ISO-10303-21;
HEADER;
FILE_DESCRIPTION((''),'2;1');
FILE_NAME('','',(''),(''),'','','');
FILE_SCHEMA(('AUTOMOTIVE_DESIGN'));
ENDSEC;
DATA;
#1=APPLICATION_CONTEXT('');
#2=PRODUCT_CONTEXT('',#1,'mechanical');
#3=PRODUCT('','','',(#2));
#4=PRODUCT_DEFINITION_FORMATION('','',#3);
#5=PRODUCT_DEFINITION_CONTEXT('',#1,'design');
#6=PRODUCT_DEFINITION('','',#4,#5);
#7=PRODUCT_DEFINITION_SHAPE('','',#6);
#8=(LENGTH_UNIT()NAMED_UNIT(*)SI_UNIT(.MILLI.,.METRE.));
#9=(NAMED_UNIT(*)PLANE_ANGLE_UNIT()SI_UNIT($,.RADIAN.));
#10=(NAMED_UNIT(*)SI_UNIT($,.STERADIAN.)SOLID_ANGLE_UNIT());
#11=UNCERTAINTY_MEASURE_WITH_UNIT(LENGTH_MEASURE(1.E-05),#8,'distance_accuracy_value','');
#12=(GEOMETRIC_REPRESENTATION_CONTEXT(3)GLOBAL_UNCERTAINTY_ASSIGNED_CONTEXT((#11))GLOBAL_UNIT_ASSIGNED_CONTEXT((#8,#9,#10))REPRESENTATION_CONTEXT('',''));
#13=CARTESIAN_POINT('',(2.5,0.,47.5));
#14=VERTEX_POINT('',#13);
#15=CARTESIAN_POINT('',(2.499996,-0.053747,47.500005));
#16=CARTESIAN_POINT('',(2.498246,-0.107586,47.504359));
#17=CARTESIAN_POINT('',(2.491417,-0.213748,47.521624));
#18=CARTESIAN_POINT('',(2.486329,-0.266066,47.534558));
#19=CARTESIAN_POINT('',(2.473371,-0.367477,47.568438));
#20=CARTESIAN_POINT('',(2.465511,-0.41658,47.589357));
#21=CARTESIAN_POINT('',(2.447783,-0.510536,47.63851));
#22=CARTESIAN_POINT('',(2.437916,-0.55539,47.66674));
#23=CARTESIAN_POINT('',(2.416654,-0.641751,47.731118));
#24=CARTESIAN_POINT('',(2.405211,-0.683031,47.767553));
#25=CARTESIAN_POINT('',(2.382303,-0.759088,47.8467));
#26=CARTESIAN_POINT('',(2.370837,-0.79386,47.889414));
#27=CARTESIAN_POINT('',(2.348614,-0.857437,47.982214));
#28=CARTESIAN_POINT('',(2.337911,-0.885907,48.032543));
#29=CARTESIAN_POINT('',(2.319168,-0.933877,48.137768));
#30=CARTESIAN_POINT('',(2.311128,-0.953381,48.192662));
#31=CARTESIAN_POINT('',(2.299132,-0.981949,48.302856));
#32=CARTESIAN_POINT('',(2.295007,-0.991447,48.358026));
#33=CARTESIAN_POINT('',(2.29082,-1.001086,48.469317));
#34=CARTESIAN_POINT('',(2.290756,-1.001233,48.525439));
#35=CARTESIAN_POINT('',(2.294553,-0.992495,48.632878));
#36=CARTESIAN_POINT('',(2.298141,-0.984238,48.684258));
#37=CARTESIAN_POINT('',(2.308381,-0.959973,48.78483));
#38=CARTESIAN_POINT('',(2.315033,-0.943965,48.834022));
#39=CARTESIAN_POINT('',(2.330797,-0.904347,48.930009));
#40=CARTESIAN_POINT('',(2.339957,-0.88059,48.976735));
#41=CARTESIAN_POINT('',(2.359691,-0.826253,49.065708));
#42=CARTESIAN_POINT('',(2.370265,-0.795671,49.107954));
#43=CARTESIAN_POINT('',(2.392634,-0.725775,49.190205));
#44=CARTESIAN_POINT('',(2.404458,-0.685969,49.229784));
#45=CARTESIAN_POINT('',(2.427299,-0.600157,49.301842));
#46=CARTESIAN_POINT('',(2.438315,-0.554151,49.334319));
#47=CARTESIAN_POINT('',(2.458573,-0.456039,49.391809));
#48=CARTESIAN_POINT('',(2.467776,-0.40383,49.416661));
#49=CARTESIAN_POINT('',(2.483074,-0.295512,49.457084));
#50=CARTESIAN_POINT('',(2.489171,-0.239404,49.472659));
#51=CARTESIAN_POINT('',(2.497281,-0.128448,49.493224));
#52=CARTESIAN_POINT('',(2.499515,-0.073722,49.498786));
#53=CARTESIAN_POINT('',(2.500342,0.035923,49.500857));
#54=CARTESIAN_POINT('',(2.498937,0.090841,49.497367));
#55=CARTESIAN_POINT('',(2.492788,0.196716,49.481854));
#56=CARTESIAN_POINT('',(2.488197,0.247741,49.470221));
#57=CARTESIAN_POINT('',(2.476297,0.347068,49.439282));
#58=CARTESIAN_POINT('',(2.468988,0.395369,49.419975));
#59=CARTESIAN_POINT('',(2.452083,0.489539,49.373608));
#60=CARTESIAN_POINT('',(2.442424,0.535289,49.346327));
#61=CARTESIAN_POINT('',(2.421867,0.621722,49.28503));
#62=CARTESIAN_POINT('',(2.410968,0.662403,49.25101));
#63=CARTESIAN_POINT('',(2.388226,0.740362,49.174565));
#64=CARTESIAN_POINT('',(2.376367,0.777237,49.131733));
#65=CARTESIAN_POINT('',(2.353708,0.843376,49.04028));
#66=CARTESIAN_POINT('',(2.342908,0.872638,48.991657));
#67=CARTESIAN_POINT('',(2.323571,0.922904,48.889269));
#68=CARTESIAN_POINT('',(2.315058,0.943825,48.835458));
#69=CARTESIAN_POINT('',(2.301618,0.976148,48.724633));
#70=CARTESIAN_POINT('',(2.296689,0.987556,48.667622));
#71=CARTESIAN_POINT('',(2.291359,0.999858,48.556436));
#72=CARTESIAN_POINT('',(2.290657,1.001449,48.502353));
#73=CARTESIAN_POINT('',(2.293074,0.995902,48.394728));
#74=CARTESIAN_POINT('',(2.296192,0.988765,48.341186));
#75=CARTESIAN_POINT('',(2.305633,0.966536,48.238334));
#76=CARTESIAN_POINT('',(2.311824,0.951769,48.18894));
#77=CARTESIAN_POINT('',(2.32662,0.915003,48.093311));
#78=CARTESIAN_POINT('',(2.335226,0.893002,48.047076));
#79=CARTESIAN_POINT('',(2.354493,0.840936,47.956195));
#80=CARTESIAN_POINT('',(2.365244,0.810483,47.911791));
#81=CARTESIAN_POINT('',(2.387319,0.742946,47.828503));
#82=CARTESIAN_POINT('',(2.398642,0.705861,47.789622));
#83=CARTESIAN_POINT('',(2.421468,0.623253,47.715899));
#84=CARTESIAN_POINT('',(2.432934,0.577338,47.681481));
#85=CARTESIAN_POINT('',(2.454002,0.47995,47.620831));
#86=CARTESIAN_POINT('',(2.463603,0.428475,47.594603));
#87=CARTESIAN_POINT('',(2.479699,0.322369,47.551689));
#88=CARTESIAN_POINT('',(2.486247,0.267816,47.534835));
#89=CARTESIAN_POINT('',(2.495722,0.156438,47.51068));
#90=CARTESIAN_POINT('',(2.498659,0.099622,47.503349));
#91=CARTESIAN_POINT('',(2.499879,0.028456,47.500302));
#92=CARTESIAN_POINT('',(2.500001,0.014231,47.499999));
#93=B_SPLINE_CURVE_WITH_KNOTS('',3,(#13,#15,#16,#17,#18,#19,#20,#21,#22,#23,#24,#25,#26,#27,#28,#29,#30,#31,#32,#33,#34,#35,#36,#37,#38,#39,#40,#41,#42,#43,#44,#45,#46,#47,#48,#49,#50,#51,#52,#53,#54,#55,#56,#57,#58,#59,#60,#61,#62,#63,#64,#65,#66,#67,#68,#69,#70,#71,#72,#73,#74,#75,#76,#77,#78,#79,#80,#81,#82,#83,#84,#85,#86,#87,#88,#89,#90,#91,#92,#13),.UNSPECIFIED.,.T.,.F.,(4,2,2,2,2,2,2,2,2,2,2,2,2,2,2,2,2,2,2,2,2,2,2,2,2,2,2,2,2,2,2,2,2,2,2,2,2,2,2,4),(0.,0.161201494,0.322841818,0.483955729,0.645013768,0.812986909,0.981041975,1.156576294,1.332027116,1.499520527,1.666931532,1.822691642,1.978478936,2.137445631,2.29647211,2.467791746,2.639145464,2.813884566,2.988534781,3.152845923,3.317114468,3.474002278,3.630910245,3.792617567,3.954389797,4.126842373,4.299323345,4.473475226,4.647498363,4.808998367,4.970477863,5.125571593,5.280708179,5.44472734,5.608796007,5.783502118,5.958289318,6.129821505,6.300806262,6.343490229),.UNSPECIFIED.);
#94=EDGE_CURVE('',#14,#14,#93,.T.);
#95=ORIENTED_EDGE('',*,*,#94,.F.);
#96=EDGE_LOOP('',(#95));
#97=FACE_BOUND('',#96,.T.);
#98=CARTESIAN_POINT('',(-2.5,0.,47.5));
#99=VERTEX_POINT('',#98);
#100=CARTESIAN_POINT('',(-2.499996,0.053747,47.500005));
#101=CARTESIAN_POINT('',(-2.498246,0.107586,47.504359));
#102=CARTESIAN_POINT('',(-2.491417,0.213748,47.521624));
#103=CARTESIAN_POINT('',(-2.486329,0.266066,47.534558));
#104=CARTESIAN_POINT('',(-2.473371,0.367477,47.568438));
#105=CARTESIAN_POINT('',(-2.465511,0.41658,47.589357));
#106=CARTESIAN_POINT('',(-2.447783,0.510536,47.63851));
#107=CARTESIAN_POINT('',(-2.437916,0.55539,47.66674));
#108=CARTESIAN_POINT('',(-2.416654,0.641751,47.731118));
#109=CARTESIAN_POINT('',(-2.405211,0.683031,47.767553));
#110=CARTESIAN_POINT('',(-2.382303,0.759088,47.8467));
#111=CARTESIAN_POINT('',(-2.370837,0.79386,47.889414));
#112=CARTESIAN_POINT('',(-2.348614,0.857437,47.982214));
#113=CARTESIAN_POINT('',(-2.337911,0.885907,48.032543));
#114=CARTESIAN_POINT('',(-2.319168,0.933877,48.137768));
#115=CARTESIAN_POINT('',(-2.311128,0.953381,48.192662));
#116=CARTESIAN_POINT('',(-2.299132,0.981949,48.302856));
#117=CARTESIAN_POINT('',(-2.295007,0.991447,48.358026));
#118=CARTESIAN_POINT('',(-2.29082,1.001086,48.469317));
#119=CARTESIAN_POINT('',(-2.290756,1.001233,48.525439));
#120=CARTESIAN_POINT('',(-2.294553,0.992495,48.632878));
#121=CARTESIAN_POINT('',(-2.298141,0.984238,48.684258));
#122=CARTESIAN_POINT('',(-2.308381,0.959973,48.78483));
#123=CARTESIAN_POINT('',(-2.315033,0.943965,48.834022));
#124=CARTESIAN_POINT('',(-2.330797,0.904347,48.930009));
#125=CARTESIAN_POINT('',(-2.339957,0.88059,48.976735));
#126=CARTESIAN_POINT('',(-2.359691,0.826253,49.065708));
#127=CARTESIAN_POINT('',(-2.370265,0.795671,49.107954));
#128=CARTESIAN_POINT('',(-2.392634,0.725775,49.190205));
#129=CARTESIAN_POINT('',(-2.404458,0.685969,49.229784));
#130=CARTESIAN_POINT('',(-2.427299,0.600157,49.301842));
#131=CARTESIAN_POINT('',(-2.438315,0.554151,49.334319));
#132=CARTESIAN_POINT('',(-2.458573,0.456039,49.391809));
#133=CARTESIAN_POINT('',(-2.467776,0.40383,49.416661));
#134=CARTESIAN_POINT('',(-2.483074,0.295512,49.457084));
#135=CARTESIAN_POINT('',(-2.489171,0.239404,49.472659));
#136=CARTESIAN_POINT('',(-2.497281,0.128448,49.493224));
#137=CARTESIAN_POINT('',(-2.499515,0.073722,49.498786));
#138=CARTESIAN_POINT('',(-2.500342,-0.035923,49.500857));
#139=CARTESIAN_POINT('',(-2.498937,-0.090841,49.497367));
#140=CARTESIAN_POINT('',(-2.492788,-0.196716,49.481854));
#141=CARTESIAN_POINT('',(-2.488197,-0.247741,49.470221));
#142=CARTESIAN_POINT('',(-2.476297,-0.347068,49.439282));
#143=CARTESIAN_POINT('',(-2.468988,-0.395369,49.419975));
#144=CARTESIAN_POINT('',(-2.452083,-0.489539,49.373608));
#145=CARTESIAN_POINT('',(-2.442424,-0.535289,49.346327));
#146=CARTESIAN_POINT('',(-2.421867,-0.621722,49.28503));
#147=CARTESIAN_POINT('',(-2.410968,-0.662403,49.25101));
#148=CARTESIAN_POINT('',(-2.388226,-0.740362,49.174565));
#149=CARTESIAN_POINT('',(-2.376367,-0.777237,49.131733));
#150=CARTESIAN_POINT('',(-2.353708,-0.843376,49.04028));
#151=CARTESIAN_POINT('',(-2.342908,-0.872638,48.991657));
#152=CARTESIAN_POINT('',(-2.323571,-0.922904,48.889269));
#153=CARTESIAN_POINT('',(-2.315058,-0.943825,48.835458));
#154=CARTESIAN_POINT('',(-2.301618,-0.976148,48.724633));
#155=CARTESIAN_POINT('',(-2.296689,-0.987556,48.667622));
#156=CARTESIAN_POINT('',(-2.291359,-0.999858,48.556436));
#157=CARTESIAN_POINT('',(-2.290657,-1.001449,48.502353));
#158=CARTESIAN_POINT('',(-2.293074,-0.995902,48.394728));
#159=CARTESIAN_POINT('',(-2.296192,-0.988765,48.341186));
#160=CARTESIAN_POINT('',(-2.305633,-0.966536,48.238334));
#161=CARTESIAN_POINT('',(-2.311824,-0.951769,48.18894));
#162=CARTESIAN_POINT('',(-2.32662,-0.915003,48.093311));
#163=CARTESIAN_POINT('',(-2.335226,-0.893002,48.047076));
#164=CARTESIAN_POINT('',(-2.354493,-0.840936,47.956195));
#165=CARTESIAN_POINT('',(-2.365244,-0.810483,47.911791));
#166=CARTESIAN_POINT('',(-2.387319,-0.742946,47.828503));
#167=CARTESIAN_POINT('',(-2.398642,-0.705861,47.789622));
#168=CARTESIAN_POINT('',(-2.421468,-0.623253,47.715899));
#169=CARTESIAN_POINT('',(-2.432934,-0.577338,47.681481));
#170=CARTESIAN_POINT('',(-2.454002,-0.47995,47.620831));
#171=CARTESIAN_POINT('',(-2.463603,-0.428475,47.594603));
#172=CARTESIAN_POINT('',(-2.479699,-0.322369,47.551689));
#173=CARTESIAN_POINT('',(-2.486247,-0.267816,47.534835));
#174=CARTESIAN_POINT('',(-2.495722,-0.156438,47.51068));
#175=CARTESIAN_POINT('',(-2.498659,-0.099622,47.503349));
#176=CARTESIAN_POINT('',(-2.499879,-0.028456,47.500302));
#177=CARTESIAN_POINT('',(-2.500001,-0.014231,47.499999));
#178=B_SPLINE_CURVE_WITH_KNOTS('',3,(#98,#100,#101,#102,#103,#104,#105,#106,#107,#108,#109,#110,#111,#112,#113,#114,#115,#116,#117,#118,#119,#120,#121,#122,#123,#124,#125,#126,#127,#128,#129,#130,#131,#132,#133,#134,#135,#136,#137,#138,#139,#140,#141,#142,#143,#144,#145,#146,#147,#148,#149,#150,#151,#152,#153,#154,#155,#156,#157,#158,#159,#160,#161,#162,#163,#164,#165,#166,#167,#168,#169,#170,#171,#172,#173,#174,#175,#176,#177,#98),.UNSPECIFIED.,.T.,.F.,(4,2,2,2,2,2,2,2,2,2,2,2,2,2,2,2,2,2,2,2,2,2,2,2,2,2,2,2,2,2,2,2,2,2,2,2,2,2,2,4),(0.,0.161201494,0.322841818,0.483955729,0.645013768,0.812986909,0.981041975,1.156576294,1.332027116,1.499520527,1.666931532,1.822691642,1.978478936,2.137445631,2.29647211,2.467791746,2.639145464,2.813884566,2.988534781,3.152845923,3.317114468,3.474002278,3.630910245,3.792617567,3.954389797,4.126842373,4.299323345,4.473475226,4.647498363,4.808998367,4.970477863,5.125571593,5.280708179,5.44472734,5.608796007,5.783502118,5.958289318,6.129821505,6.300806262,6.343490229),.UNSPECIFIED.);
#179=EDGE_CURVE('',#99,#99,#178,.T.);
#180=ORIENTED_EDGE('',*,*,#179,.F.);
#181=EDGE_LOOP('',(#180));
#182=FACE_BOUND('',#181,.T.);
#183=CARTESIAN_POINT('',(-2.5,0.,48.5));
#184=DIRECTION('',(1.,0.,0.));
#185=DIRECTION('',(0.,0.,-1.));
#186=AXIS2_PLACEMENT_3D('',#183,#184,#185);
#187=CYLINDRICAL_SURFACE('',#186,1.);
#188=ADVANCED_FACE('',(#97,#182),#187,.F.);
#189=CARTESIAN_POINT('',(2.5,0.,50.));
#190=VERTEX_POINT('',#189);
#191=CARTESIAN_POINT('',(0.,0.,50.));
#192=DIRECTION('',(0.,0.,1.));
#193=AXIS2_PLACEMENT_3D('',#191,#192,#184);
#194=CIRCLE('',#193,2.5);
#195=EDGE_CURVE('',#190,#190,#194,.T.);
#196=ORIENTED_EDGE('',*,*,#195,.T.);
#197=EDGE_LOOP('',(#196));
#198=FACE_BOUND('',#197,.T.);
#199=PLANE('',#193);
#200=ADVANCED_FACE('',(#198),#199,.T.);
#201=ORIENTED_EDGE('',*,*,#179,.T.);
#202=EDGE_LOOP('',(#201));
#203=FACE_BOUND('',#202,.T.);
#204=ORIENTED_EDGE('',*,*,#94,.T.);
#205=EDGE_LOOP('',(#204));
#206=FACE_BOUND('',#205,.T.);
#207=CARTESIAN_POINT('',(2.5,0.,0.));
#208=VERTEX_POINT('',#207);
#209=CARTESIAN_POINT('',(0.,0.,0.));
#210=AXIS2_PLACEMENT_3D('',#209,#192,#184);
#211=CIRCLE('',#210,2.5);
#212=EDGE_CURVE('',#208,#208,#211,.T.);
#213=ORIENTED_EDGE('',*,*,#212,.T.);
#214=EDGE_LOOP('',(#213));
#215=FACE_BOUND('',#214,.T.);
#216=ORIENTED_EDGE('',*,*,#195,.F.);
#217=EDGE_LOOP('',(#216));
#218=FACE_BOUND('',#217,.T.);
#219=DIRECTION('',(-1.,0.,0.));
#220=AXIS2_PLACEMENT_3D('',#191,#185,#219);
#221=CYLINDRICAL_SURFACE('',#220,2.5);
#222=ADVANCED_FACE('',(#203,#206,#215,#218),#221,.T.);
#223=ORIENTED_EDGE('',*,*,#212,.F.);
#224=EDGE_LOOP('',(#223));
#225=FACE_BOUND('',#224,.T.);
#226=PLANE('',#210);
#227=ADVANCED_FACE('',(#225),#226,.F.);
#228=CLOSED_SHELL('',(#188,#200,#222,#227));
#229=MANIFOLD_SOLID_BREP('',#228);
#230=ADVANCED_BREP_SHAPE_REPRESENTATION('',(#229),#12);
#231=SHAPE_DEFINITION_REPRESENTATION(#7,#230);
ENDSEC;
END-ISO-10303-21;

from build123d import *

# Parameters (mm, degrees)
SKETCH_1_R               = 2.5
EXTRUDE_1_DEPTH          = 50
CUT_EXTRUDE_1_DEPTH      = 51.124844139
CUT_EXTRUDE_1_DEPTH_BACK = 51.124844139
SKETCH_3_R               = 1


with BuildPart() as part:
    # 草图1 → 凸台-拉伸1 (new body)
    with BuildSketch(Plane.XY):
        Circle(SKETCH_1_R)
    extrude(amount=EXTRUDE_1_DEPTH)

    # 草图3 → 切除-拉伸1 (cut, two sides: drawn at the far end of the back side and taken through both)
    with BuildSketch(Plane(origin=(0, 0, 0), x_dir=(0, 0, -1), z_dir=(1, 0, 0)).offset(-CUT_EXTRUDE_1_DEPTH_BACK)):
        with Locations((-48.5, 0)):
            Circle(SKETCH_3_R)
    extrude(amount=CUT_EXTRUDE_1_DEPTH + CUT_EXTRUDE_1_DEPTH_BACK, mode=Mode.SUBTRACT)


solid = part.part
